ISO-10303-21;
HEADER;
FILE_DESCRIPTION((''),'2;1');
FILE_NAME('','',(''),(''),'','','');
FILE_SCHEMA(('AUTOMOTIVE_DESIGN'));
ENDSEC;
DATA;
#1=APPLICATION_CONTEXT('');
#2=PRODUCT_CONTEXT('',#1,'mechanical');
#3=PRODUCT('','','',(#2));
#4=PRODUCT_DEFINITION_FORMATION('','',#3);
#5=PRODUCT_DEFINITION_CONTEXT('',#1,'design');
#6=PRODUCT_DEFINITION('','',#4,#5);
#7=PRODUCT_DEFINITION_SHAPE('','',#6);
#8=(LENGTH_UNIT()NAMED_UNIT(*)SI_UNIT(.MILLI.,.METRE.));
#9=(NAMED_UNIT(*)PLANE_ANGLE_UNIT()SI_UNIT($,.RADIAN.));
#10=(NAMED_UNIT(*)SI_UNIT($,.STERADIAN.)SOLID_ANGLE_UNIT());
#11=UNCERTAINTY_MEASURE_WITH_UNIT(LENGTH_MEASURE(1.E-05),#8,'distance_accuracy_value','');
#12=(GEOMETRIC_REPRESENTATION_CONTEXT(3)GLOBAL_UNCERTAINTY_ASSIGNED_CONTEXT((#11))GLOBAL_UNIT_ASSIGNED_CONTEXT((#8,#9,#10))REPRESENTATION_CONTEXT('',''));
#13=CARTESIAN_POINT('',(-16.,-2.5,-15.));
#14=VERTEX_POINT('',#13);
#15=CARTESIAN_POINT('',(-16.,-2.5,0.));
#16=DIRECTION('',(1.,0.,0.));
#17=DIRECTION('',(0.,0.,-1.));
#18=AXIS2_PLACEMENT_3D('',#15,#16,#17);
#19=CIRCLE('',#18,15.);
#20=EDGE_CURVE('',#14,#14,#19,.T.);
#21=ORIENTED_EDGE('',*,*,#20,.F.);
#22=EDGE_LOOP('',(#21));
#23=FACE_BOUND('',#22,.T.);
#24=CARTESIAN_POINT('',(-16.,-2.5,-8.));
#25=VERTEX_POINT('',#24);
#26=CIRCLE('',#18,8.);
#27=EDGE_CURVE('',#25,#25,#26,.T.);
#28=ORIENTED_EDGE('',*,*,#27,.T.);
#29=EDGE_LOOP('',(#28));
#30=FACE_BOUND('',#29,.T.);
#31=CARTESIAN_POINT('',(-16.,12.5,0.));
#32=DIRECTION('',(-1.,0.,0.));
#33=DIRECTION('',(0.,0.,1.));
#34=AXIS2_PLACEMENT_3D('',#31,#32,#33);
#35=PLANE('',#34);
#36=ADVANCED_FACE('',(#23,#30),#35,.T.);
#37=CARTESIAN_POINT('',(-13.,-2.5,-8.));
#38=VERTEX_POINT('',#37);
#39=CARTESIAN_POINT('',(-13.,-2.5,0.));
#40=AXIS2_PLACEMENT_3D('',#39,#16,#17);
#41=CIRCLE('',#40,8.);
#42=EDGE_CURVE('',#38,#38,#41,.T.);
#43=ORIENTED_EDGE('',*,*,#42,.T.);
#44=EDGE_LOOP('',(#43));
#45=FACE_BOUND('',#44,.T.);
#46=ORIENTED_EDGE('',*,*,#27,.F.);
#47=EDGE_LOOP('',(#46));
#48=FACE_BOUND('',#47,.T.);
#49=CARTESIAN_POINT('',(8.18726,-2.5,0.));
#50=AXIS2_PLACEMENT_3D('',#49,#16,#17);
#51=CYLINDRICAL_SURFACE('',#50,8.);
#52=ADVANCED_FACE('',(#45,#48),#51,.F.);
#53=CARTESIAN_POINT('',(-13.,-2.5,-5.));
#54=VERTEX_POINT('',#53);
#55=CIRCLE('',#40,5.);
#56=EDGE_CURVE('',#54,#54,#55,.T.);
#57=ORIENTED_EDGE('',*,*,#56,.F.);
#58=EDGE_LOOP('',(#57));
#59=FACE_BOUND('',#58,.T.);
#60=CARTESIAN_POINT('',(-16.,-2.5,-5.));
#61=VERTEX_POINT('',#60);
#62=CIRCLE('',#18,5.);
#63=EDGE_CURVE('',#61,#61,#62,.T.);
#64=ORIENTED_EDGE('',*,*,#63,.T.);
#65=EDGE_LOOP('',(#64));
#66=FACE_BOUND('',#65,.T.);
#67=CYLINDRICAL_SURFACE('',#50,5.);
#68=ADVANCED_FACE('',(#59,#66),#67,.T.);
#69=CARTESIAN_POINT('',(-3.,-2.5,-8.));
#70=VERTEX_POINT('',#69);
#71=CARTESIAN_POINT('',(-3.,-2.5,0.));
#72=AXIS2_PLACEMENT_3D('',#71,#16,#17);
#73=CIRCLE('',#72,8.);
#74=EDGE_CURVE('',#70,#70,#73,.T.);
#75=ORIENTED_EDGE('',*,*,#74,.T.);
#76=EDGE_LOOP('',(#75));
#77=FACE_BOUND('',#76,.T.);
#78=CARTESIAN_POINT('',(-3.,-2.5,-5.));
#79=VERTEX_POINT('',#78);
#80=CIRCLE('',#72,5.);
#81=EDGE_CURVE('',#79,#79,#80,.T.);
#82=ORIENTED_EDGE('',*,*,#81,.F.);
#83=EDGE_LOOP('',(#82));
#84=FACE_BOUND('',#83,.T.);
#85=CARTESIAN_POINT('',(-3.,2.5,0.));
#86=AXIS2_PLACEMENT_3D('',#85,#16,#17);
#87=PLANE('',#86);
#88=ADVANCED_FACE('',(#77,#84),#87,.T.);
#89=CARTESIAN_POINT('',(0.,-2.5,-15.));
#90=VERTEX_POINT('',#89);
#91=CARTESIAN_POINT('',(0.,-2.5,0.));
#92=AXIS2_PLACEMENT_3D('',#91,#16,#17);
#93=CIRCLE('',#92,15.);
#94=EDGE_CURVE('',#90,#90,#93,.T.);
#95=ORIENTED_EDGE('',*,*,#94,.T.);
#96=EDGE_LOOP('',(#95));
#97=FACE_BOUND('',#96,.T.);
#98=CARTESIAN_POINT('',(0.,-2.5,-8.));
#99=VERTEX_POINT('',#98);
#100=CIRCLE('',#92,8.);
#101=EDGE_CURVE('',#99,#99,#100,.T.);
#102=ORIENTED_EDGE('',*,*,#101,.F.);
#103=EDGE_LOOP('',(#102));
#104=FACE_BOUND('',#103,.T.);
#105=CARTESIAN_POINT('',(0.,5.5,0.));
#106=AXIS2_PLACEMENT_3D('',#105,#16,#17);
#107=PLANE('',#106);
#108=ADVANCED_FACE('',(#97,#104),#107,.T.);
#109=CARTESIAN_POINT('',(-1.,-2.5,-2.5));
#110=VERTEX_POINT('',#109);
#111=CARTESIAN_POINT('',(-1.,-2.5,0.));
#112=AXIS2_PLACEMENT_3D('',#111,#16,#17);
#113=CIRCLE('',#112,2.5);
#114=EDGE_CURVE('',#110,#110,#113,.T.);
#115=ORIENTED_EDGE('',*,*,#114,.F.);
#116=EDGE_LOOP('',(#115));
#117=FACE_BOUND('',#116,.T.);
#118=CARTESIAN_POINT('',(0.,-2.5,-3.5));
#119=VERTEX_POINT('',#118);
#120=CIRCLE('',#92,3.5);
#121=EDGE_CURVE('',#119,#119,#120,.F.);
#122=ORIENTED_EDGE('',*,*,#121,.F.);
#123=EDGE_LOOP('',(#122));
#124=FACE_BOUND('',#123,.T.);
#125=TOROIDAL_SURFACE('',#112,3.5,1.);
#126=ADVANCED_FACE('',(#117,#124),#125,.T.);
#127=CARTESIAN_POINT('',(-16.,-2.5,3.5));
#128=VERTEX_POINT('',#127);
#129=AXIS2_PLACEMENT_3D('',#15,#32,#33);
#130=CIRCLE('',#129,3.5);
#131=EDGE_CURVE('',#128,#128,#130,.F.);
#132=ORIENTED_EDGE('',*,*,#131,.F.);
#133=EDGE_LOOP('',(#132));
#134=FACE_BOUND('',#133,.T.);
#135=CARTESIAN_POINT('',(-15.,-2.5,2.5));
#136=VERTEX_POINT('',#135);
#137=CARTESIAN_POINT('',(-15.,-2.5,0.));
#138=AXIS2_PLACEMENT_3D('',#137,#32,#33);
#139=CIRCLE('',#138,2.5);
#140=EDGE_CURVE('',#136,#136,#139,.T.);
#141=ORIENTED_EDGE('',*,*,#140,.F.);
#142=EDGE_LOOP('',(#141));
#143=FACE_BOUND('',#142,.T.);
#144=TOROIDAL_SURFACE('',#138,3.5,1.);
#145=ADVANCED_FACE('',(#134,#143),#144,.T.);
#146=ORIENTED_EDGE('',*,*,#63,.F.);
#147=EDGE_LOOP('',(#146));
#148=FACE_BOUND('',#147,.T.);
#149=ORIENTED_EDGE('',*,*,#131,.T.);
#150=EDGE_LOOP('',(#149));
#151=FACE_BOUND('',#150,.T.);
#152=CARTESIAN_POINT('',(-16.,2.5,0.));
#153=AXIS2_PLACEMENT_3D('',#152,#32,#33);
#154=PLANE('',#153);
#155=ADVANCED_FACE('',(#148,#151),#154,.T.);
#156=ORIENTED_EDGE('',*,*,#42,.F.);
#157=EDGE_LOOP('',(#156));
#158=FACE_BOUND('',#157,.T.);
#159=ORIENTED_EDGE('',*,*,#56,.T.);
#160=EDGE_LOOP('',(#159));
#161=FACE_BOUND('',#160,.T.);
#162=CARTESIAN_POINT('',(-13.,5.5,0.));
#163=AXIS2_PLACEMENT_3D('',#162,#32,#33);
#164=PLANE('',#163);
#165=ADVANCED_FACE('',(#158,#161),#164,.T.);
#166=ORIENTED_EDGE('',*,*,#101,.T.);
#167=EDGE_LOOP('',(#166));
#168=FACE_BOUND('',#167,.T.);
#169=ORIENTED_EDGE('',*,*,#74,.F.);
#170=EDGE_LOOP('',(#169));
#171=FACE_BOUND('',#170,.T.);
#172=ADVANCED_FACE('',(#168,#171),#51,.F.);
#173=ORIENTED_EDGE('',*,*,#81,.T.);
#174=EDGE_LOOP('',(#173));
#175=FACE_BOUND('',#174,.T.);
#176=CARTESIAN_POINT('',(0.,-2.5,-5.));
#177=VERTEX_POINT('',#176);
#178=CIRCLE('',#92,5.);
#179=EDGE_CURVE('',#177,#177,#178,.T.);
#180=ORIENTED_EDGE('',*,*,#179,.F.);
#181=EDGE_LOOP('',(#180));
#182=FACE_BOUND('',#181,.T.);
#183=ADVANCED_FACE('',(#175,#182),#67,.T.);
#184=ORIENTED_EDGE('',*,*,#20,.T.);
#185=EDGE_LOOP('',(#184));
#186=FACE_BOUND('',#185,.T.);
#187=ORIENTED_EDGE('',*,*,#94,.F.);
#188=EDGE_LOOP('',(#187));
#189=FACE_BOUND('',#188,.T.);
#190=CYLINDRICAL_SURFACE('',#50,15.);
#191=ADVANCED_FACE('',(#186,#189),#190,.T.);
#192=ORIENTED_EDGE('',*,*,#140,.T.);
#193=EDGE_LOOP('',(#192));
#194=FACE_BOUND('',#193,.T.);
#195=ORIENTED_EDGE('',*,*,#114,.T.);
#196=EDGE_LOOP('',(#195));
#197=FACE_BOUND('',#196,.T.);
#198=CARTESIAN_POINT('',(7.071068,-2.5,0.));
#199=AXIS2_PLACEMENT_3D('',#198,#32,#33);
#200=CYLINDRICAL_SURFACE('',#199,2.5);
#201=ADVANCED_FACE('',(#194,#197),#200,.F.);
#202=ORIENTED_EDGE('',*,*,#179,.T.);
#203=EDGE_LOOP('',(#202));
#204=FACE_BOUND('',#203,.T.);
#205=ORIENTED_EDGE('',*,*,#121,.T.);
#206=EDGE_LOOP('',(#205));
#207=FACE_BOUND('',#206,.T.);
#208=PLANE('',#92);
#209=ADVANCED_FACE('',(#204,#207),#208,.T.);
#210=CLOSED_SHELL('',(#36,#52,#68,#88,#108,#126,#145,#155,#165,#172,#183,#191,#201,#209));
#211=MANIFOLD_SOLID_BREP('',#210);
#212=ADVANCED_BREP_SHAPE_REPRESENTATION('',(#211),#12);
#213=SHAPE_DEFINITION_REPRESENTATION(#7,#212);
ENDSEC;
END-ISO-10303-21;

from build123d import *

# Parameters (mm, degrees)
SKETCH2_R          = 2.5
CUT_EXTRUDE1_DEPTH = 16
FILLET1_R          = 1


with BuildPart() as part:
    # Sketch1 → Revolve2 (revolve)
    with BuildSketch(Plane.XY):
        Polygon((0, 2.5), (-3, 2.5), (-3, 5.5), (0, 5.5), (0, 12.5), (-16, 12.5), (-16, 5.5), (-13, 5.5), (-13, 2.5), (-16, 2.5), (-16, -2.5), (0, -2.5), align=None)
    revolve(axis=Axis((8.187259668, -2.5, 0), (-1, 0, 0)))

    # Sketch2 → Cut-Extrude1 (cut)
    with BuildSketch(Plane.ZY.offset(16)):
        with Locations((0, -2.5)):
            Circle(SKETCH2_R)
    extrude(amount=-CUT_EXTRUDE1_DEPTH, mode=Mode.SUBTRACT)

    # Fillet1
    fillet1_edges = [part.edges().sort_by_distance(p)[0] for p in [
        (-16, -2.5, -2.5),
        (0, -2.5, -2.5),
    ]]
    fillet(fillet1_edges, radius=FILLET1_R)


solid = part.part
